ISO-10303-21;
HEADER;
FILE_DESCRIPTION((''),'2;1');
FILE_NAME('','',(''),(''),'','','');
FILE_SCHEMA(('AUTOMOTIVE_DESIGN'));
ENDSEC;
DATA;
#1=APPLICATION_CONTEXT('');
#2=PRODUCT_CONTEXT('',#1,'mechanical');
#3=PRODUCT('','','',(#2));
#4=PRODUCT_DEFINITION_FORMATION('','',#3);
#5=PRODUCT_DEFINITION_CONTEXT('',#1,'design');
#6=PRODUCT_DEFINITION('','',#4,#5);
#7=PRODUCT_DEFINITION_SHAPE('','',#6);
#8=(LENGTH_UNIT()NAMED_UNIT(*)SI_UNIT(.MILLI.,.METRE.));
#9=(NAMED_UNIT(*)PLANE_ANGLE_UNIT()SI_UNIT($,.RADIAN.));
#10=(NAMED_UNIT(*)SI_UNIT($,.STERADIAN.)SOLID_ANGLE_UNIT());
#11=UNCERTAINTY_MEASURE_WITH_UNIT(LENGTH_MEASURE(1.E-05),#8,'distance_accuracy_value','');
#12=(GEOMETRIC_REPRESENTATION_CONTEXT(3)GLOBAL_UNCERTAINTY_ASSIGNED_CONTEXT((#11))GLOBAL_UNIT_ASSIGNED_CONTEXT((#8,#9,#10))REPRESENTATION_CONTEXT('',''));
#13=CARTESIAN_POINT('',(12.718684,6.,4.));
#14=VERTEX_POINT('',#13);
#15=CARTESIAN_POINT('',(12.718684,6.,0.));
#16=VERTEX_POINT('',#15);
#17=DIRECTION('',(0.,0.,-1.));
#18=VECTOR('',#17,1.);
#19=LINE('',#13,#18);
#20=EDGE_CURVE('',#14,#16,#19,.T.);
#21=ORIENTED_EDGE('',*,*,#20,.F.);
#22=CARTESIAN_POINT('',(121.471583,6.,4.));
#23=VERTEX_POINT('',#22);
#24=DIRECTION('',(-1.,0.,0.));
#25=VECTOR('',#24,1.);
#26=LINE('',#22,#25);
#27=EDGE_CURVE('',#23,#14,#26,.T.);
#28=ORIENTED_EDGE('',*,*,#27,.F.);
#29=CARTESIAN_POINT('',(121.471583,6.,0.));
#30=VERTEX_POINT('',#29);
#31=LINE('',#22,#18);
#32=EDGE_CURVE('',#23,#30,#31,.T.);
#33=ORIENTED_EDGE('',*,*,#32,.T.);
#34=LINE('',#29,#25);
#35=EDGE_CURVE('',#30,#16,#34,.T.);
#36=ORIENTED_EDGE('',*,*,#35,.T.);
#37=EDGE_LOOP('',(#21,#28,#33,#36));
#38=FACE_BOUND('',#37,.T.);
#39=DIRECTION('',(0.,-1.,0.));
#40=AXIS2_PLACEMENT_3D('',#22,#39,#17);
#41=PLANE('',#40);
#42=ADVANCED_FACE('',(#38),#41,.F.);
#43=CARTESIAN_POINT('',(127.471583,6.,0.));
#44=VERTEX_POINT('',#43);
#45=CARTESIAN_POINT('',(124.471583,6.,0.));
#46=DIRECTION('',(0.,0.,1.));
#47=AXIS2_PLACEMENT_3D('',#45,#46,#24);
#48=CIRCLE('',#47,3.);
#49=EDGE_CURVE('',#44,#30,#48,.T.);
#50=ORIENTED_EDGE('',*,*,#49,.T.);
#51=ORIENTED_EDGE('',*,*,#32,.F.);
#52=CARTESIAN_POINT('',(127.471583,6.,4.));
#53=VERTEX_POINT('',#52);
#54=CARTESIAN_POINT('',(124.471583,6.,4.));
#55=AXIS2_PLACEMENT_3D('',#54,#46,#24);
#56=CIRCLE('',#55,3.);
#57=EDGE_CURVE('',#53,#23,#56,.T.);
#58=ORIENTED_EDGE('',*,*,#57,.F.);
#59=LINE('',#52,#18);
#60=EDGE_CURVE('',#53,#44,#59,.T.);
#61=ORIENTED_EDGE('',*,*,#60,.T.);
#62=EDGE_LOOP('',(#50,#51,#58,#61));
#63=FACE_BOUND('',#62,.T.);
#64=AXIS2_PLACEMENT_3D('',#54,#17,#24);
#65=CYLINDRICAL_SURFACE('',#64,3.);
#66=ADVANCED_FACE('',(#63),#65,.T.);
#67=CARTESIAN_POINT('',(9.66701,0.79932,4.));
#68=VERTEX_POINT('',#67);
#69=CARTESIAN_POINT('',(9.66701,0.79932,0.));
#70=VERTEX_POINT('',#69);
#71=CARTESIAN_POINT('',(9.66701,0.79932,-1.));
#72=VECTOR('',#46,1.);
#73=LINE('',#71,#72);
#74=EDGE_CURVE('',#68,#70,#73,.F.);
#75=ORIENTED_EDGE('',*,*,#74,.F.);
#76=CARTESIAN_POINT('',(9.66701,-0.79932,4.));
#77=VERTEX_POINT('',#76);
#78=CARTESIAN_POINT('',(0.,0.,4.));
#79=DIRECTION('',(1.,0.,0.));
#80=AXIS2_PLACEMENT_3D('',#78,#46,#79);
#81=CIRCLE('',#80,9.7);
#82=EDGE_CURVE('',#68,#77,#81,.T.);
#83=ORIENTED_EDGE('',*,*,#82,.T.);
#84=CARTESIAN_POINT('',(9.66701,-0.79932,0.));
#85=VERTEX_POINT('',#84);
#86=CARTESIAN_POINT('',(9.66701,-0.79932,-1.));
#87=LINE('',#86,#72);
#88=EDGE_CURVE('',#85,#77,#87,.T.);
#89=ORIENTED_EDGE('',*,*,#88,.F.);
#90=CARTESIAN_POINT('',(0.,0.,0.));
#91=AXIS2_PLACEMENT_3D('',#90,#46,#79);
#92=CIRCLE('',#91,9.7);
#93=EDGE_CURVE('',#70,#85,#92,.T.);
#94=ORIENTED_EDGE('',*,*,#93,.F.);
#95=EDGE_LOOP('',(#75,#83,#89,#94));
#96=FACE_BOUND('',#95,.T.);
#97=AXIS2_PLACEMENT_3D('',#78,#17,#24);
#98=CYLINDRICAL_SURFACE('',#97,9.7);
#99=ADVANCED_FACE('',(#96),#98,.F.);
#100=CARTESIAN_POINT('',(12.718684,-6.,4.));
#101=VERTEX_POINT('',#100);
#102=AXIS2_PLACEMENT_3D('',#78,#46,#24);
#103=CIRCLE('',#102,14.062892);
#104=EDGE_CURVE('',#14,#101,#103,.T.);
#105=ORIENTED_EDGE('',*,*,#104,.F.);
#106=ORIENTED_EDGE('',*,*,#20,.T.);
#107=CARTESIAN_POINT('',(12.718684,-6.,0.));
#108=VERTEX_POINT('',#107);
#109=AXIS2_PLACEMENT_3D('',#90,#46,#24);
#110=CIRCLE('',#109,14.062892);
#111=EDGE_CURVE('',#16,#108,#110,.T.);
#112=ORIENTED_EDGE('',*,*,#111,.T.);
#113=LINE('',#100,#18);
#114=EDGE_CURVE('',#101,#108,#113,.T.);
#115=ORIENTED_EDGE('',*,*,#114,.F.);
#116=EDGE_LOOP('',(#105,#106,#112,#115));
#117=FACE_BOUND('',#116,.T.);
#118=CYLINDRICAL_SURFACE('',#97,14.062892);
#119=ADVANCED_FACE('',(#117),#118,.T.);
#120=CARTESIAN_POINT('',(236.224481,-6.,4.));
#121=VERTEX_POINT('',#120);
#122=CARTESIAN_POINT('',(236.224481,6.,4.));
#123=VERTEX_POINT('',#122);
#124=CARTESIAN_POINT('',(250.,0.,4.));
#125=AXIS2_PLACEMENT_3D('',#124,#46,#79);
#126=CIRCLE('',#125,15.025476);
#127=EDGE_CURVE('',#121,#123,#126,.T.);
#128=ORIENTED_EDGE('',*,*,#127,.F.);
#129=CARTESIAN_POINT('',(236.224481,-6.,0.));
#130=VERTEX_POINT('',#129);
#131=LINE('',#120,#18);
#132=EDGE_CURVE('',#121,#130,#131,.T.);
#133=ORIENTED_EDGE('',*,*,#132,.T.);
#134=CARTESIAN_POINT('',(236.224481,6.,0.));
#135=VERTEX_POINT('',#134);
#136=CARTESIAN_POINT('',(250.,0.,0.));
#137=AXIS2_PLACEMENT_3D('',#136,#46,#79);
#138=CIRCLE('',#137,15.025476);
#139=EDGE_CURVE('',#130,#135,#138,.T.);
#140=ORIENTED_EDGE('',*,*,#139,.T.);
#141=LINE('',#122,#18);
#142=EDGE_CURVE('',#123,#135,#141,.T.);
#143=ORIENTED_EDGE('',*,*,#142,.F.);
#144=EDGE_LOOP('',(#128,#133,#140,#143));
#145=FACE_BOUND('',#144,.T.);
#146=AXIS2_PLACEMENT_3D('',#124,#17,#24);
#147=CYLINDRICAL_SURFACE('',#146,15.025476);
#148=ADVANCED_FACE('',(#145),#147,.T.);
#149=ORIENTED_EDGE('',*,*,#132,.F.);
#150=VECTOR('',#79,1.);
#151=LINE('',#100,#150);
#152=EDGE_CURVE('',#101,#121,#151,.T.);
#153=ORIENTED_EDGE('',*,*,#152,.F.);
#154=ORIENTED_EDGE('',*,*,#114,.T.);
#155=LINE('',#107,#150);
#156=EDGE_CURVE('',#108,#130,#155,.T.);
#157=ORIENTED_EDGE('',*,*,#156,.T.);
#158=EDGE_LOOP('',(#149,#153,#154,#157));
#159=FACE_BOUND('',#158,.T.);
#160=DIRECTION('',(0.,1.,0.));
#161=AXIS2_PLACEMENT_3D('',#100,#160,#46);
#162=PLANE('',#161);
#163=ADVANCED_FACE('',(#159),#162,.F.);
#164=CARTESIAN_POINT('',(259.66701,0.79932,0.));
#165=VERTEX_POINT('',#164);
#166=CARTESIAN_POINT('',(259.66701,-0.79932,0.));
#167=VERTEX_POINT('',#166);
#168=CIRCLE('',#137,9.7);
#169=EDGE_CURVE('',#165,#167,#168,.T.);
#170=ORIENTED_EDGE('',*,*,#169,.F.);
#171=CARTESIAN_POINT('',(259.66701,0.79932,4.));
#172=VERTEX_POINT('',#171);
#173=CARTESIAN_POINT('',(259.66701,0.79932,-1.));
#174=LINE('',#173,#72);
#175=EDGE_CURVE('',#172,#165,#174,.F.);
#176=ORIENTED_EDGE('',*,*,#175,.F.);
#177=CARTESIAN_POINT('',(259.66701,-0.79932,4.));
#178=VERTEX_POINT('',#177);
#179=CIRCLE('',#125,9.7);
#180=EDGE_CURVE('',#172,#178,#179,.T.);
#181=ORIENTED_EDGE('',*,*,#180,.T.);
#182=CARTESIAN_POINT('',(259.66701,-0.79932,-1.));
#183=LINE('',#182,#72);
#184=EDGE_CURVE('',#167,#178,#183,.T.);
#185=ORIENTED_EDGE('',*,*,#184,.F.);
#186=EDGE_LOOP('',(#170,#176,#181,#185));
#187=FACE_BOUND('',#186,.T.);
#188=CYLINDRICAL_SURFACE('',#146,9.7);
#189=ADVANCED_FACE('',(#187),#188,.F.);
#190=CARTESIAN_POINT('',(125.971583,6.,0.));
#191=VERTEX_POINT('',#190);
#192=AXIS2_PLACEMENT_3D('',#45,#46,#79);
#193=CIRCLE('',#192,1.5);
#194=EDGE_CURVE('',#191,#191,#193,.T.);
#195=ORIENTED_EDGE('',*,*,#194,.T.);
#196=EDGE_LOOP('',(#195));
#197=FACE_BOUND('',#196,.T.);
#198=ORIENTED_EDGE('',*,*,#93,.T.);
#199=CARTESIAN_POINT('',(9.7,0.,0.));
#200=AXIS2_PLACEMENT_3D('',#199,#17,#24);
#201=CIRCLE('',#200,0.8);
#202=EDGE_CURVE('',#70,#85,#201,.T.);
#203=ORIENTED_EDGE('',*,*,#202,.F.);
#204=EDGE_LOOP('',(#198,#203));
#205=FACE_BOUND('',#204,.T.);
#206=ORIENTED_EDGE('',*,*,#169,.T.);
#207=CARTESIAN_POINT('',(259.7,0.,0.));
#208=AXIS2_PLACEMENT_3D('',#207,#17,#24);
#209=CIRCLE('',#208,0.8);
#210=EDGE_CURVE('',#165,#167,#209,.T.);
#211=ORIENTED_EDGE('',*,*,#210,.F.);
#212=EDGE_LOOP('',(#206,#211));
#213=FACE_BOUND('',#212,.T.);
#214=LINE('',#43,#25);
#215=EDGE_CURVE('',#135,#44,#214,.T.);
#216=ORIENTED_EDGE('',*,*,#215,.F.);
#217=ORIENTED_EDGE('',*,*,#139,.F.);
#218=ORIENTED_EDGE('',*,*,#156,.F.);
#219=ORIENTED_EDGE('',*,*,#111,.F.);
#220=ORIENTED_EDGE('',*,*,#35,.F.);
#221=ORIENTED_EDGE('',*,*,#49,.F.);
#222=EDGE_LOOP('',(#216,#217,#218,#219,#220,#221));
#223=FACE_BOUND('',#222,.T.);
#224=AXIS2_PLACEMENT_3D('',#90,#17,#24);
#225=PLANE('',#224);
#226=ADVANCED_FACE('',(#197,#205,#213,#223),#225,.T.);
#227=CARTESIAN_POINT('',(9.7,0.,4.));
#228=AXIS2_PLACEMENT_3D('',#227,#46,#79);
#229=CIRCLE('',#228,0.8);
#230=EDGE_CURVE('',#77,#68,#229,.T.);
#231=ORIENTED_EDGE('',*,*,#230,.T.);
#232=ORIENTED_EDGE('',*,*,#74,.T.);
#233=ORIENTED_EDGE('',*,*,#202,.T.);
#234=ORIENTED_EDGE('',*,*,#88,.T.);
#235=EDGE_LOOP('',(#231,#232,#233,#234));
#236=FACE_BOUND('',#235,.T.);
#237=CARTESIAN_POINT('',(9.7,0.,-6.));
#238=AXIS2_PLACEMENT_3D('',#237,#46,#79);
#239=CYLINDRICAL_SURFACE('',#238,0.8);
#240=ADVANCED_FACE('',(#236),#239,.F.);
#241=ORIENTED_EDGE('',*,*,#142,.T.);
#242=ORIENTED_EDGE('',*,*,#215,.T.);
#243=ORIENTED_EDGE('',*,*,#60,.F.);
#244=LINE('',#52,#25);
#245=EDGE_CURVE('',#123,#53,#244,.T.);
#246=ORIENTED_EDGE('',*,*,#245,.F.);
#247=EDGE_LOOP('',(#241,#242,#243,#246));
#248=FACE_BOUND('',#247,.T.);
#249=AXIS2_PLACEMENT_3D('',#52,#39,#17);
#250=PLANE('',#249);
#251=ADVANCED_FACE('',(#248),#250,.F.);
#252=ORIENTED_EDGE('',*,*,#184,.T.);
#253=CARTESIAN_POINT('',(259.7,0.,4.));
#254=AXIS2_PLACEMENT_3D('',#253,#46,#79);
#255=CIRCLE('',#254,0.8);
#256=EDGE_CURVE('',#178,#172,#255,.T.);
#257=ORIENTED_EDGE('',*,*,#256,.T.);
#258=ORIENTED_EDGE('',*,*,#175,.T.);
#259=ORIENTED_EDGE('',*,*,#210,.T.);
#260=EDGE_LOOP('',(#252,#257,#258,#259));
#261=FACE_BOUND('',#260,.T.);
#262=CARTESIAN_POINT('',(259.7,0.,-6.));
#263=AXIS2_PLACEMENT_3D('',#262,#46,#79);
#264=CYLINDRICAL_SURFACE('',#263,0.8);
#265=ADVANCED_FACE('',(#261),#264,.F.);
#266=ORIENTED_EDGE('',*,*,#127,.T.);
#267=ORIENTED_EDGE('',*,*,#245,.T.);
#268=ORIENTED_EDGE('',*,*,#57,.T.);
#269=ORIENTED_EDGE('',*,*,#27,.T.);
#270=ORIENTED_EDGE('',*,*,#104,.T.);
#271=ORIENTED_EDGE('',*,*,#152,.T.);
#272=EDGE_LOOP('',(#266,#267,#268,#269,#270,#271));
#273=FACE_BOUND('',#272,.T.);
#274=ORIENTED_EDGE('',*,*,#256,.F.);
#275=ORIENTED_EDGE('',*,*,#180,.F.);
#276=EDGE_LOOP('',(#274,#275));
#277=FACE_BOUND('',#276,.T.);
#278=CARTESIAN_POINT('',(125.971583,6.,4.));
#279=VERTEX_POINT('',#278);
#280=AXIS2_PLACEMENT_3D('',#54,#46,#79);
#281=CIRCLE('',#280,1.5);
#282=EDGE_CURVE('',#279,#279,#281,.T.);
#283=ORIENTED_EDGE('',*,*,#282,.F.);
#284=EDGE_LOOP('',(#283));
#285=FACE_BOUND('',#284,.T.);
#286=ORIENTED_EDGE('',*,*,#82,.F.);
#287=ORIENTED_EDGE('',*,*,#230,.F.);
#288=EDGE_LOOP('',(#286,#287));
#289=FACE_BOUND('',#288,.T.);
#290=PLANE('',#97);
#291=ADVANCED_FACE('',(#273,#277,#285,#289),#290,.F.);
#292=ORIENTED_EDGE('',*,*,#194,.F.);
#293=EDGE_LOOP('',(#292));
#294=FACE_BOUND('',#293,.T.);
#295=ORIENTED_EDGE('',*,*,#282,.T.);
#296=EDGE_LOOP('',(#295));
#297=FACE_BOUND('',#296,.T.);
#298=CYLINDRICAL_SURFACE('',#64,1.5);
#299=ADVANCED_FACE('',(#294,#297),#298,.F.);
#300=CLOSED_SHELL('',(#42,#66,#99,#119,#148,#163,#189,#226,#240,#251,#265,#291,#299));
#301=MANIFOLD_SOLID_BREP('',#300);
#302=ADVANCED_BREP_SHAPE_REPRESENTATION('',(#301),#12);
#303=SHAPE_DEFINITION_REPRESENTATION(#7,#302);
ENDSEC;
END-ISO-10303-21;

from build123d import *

# Parameters (mm, degrees)
SKETCH_1_R          = 9.7
SKETCH_1_R_2        = 1.5
EXTRUDE_1_DEPTH     = 4
SKETCH_3_R          = 0.8
CUT_EXTRUDE_1_DEPTH = 10


with BuildPart() as part:
    # 草图1 → 凸台-拉伸1 (new body)
    with BuildSketch(Plane.XY):
        with BuildLine():
            ThreePointArc((12.718684308, 6), (-14.062891969, 0), (12.718684308, -6))
            Line((12.718684308, -6), (236.224480753, -6))
            ThreePointArc((236.224480753, -6), (265.02547605, 0), (236.224480753, 6))
            Line((236.224480753, 6), (127.47158253, 6))
            ThreePointArc((127.47158253, 6), (124.47158253, 9), (121.47158253, 6))
            Line((121.47158253, 6), (12.718684308, 6))
        make_face()
        Circle(SKETCH_1_R, mode=Mode.SUBTRACT)
        with Locations((250, 0)):
            Circle(SKETCH_1_R, mode=Mode.SUBTRACT)
        with Locations((124.47158253, 6)):
            Circle(SKETCH_1_R_2, mode=Mode.SUBTRACT)
    extrude(amount=EXTRUDE_1_DEPTH)

    # 草图3 → 切除-拉伸1 (cut)
    with BuildSketch(Plane.XY.offset(4)):
        with Locations((9.7, 0)):
            Circle(SKETCH_3_R)
        with Locations((259.7, 0)):
            Circle(SKETCH_3_R)
    extrude(amount=-CUT_EXTRUDE_1_DEPTH, mode=Mode.SUBTRACT)


solid = part.part
